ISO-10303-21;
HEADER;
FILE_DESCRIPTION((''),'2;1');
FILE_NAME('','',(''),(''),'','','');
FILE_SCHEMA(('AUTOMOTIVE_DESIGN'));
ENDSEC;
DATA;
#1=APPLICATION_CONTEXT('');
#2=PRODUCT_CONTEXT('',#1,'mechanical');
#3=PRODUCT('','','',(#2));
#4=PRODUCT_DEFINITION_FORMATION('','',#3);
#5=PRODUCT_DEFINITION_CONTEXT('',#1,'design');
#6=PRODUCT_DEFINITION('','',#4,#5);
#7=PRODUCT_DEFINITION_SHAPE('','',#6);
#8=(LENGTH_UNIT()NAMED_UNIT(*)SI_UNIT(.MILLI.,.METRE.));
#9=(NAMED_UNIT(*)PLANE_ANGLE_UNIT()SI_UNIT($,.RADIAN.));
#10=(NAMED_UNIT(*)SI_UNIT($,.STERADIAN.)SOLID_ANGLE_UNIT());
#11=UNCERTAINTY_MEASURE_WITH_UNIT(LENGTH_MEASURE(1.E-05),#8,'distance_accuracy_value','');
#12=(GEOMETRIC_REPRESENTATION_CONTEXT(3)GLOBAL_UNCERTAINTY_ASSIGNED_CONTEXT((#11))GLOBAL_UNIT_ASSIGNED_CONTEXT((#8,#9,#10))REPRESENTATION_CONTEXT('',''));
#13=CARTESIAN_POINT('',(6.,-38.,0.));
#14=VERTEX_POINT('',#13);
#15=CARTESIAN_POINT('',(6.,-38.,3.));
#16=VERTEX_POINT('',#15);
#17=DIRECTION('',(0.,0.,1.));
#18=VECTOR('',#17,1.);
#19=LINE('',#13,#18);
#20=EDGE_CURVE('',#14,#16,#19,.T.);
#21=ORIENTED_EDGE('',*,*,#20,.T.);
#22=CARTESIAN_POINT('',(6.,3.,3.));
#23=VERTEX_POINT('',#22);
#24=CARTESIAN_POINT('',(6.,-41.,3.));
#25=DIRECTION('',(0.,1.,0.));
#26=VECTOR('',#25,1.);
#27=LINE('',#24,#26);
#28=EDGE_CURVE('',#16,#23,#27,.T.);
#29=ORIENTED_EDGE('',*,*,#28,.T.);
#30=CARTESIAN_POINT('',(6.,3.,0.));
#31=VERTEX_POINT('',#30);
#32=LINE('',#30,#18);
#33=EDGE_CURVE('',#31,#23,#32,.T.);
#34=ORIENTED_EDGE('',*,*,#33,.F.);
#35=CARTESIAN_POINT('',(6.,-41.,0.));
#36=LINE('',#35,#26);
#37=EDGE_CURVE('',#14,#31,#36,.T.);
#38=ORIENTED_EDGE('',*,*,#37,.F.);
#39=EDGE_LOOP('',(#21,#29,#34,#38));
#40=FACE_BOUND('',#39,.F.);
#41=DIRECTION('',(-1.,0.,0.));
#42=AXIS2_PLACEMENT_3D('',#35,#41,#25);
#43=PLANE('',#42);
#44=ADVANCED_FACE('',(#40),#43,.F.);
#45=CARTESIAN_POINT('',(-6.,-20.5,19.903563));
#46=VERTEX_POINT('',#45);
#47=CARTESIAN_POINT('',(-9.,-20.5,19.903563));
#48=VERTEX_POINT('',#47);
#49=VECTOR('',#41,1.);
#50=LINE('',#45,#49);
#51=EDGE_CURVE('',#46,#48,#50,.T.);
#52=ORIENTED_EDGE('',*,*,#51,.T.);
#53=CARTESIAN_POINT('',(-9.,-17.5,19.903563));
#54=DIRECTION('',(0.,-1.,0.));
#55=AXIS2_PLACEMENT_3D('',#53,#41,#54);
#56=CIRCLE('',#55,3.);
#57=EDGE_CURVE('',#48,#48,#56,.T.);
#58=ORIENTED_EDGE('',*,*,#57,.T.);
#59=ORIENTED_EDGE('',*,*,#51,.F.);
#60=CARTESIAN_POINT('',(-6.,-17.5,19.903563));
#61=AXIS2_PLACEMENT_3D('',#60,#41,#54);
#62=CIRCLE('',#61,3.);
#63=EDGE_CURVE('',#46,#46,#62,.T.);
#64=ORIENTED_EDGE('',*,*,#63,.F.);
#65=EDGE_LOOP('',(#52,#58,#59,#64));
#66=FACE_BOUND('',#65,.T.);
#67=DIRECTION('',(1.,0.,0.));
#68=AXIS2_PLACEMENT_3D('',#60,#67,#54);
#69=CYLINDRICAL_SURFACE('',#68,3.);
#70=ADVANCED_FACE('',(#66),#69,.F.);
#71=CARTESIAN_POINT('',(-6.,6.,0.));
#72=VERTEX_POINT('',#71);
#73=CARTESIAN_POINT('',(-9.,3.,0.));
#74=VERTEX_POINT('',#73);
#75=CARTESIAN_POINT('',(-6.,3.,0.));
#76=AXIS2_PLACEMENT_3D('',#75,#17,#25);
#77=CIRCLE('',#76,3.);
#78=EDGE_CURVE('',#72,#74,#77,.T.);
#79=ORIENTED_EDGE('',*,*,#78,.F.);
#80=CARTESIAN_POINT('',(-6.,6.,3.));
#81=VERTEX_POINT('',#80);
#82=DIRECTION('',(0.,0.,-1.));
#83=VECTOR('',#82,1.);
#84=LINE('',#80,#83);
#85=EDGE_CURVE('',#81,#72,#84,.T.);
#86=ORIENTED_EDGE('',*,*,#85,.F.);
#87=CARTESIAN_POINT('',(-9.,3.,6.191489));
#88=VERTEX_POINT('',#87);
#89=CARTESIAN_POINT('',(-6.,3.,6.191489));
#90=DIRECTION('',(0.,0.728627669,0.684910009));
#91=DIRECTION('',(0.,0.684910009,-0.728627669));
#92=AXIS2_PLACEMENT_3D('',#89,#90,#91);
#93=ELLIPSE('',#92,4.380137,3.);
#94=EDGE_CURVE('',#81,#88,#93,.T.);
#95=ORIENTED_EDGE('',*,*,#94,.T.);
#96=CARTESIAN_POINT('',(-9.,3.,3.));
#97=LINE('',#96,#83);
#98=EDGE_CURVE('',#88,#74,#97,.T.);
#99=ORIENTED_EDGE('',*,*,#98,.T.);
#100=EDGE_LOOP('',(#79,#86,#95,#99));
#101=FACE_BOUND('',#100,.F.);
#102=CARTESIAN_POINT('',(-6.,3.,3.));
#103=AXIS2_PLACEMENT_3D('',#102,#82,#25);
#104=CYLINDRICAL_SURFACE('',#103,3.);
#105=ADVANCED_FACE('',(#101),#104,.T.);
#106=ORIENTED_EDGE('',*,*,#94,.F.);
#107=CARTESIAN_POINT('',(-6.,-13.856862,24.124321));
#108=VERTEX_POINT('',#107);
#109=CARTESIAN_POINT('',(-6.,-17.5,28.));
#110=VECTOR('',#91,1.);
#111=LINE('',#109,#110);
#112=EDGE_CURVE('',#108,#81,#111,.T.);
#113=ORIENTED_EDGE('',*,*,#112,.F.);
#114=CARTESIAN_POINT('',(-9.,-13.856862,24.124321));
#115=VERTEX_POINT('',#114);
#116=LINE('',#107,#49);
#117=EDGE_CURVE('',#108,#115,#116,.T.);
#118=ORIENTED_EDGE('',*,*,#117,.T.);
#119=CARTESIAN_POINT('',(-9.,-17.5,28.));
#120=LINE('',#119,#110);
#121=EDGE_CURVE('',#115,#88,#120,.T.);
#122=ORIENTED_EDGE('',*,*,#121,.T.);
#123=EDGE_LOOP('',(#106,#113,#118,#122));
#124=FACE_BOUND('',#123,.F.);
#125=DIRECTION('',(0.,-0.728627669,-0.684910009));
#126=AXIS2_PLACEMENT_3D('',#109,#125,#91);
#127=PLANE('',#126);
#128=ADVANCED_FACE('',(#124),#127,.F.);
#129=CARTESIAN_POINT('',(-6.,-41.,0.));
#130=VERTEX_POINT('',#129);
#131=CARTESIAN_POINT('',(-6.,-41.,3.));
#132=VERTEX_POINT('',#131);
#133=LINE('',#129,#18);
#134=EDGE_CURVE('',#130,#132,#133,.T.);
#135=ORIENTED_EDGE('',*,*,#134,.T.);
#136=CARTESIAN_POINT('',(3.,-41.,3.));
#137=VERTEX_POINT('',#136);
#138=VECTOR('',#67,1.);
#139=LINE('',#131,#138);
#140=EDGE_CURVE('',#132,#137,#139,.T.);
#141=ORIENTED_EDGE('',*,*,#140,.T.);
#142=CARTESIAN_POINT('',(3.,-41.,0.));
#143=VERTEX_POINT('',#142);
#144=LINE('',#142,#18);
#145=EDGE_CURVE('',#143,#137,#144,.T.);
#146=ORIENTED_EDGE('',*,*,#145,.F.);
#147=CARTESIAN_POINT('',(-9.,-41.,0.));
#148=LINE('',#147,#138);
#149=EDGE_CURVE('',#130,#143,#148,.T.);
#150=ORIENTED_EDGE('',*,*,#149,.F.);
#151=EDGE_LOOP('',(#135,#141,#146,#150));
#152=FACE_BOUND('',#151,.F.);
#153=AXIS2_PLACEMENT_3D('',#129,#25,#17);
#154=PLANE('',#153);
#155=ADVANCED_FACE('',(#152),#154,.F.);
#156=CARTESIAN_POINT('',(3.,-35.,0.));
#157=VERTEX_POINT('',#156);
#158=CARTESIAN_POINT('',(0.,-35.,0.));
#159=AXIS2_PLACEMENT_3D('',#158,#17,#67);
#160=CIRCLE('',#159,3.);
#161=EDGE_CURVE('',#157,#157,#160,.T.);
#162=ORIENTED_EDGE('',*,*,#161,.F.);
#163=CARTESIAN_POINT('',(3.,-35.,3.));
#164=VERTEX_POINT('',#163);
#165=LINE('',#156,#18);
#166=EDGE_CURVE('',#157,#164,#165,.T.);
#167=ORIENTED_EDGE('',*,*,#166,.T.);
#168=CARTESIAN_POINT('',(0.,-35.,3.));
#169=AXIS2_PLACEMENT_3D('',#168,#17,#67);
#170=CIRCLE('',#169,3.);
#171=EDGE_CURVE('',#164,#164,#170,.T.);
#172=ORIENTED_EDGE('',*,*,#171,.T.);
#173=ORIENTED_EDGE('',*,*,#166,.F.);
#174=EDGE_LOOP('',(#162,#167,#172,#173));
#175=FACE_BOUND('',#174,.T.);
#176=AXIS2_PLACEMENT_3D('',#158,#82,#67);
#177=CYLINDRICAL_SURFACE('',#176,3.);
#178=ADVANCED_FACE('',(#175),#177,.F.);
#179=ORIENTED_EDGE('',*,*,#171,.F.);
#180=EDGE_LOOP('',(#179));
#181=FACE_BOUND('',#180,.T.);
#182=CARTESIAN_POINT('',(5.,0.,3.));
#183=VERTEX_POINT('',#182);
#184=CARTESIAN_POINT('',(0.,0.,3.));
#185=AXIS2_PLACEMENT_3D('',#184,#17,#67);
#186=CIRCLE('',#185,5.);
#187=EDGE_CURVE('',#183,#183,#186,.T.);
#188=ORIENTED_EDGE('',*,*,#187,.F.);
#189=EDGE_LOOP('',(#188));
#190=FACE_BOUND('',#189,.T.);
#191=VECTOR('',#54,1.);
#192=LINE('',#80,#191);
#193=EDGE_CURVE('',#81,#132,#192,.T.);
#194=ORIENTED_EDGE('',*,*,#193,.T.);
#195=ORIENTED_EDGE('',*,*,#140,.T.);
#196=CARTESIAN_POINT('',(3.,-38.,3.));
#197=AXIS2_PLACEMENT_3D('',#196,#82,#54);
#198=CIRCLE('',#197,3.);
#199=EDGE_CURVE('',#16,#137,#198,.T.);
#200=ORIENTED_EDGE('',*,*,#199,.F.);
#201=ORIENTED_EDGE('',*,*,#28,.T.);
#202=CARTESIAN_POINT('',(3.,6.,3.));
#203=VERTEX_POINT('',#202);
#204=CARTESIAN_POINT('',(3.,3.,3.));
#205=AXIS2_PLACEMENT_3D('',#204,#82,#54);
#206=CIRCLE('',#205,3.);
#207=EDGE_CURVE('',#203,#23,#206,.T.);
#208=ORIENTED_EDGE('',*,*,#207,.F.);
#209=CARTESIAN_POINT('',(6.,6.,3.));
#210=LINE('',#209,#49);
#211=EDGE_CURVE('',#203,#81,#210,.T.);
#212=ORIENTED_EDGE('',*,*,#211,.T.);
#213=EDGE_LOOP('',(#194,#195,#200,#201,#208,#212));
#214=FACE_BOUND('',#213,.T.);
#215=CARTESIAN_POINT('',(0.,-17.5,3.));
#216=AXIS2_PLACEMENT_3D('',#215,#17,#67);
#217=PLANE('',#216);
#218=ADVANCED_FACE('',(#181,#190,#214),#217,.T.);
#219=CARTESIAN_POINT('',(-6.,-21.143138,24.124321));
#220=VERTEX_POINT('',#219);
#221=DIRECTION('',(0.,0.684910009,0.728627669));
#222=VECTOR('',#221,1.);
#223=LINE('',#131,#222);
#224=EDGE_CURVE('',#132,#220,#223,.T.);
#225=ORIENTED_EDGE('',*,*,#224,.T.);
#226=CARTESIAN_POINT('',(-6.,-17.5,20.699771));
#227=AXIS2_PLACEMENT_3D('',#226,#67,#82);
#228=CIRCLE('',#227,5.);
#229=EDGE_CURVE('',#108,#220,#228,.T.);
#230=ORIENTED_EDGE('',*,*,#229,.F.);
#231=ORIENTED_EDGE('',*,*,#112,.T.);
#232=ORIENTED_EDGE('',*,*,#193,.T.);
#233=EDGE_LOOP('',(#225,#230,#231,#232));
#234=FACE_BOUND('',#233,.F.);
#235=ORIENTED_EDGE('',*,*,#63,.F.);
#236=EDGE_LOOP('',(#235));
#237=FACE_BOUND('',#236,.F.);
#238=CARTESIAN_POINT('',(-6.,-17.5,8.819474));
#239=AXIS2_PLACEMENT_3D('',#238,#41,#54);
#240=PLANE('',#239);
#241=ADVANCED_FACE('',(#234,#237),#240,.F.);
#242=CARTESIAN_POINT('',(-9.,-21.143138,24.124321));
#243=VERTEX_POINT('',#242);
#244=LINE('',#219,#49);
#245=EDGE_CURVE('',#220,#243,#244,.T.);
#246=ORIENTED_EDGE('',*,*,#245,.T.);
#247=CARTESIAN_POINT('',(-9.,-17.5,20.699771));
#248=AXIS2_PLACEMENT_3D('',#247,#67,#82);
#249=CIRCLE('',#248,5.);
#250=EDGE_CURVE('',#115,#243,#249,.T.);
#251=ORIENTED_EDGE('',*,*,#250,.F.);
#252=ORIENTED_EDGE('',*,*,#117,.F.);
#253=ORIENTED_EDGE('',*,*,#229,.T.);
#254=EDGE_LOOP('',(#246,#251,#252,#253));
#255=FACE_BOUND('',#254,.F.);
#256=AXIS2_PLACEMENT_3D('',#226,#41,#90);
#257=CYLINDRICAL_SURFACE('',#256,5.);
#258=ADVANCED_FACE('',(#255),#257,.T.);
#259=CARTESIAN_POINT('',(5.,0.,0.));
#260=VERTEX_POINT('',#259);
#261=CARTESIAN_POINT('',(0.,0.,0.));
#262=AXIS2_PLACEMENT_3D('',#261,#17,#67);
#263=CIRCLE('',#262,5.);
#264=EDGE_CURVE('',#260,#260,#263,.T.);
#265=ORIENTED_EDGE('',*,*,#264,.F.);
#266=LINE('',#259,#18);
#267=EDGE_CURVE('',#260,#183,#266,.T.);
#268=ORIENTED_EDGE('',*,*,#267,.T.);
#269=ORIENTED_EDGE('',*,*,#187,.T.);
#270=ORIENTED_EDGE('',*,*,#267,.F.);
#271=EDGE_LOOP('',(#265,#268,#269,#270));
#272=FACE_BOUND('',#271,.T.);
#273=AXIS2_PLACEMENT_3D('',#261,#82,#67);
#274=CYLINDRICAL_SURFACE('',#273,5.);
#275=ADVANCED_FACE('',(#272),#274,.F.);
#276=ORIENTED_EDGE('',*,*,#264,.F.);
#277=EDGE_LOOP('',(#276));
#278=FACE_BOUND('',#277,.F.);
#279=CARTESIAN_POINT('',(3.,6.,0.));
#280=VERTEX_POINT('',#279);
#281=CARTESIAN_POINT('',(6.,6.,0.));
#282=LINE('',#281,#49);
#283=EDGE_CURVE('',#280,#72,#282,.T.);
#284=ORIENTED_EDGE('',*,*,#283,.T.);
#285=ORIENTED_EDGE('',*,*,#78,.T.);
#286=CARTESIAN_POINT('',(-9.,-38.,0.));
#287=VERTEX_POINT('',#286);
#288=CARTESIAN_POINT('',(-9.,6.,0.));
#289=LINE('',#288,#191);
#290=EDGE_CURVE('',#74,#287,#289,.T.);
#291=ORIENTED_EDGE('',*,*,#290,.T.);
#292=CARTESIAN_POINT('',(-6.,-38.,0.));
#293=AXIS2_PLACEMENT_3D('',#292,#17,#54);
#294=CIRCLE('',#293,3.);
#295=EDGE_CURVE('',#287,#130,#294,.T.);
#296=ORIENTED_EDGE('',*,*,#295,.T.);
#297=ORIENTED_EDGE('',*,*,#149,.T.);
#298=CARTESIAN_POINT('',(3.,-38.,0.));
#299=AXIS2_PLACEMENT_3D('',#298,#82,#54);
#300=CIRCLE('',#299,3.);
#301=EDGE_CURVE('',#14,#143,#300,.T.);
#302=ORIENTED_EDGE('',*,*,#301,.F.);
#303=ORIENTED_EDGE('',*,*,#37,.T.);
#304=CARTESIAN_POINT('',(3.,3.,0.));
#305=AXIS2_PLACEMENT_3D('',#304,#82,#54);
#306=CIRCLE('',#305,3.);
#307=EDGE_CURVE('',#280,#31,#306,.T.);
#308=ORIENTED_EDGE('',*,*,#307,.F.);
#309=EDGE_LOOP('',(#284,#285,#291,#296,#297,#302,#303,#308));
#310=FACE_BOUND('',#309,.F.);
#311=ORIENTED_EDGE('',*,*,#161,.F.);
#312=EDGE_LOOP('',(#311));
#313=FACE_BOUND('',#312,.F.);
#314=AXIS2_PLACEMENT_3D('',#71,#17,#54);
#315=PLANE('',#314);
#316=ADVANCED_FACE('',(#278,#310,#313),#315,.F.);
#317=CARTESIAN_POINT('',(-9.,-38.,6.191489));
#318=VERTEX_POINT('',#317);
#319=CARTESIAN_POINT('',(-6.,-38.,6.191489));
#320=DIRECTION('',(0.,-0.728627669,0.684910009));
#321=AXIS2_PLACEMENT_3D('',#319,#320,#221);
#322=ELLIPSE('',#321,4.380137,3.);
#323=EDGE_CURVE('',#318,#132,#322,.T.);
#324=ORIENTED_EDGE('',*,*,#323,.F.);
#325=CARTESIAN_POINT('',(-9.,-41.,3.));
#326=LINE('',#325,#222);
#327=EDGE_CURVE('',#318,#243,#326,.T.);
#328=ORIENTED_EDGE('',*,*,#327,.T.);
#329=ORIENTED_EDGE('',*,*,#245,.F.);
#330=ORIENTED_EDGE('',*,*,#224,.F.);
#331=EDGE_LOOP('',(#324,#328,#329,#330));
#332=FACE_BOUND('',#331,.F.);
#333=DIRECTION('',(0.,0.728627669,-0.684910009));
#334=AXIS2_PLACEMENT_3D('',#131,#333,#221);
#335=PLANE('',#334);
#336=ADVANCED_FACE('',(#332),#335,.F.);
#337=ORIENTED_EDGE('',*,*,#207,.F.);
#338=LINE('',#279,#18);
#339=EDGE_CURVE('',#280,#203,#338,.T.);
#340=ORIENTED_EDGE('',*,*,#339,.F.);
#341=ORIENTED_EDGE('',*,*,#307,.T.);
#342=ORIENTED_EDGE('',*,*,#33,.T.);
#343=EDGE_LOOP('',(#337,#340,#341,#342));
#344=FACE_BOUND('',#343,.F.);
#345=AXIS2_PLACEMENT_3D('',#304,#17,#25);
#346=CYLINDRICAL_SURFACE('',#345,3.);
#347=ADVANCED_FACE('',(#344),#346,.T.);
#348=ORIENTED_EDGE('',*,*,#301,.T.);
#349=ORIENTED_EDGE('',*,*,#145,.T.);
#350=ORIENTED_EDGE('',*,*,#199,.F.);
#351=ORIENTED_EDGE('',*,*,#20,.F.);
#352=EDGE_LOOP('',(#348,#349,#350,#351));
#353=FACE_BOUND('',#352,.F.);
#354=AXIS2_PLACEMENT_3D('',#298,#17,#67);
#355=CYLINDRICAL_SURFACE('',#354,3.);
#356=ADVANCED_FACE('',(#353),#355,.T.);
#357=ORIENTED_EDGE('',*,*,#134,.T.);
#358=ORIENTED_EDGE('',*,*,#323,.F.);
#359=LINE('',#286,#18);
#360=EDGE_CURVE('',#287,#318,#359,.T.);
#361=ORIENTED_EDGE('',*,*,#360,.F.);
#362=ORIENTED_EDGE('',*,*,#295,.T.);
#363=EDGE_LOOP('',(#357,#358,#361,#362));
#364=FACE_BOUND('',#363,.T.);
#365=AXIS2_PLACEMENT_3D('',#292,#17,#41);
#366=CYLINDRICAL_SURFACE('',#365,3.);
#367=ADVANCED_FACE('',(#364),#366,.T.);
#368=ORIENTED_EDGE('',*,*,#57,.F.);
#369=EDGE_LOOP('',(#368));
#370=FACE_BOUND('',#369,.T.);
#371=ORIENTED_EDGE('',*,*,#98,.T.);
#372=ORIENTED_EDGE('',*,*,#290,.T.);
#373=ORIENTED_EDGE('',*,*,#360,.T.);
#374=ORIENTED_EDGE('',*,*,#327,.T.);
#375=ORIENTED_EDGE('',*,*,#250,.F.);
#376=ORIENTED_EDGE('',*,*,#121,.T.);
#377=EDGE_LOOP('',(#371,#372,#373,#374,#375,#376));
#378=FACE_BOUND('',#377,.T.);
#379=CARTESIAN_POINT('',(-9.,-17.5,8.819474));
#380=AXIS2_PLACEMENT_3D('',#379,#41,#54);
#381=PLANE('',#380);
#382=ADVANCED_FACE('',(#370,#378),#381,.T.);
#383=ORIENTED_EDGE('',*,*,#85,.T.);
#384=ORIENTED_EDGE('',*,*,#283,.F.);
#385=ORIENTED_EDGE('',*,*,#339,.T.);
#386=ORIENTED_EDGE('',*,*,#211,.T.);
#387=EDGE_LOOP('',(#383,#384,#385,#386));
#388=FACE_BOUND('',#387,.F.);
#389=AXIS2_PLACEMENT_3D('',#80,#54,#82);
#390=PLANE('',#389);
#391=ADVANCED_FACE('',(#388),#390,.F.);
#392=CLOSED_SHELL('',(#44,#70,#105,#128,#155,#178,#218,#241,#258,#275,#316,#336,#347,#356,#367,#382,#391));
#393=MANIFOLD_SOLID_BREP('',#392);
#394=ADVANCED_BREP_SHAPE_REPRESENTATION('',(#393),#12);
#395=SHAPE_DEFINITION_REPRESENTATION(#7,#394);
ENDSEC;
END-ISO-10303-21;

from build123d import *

# Parameters (mm, degrees)
F0_R     = 3
F0_R_2   = 5
F1_DEPTH = 3
F2_R     = 3
F3_DEPTH = 3
F4_R     = 5
F5_R     = 3


with BuildPart() as f1:
    # F0 (on Top) → F1 (new body)
    with BuildSketch(Plane.XY):
        Polygon((6, 6), (0, 6), (-6, 6), (-6, -41), (0, -41), (6, -41), align=None)
        with Locations((0, -35)):
            Circle(F0_R, mode=Mode.SUBTRACT)
        Circle(F0_R_2, mode=Mode.SUBTRACT)
    extrude(amount=F1_DEPTH)

    # F2 (on face) → F3 (join)
    with BuildSketch(Plane(origin=(-6, 0, 0), x_dir=(0, -1, 0), z_dir=(-1, 0, 0))):
        Polygon((17.5, 28), (-6, 3), (-6, 0), (41, 0), (41, 3), align=None)
        with Locations((17.5, 19.903563)):
            Circle(F2_R, mode=Mode.SUBTRACT)
    extrude(amount=F3_DEPTH)

    # F4
    f4_edges = [f1.edges().sort_by_distance(p)[0] for p in [
        (-7.5, -17.5, 28),
    ]]
    fillet(f4_edges, radius=F4_R)

    # F5
    f5_edges = [f1.edges().sort_by_distance(p)[0] for p in [
        (6, -41, 1.5),
        (-9, -41, 1.5),
        (6, 6, 1.5),
        (-9, 6, 1.5),
    ]]
    fillet(f5_edges, radius=F5_R)


solid = f1.part
